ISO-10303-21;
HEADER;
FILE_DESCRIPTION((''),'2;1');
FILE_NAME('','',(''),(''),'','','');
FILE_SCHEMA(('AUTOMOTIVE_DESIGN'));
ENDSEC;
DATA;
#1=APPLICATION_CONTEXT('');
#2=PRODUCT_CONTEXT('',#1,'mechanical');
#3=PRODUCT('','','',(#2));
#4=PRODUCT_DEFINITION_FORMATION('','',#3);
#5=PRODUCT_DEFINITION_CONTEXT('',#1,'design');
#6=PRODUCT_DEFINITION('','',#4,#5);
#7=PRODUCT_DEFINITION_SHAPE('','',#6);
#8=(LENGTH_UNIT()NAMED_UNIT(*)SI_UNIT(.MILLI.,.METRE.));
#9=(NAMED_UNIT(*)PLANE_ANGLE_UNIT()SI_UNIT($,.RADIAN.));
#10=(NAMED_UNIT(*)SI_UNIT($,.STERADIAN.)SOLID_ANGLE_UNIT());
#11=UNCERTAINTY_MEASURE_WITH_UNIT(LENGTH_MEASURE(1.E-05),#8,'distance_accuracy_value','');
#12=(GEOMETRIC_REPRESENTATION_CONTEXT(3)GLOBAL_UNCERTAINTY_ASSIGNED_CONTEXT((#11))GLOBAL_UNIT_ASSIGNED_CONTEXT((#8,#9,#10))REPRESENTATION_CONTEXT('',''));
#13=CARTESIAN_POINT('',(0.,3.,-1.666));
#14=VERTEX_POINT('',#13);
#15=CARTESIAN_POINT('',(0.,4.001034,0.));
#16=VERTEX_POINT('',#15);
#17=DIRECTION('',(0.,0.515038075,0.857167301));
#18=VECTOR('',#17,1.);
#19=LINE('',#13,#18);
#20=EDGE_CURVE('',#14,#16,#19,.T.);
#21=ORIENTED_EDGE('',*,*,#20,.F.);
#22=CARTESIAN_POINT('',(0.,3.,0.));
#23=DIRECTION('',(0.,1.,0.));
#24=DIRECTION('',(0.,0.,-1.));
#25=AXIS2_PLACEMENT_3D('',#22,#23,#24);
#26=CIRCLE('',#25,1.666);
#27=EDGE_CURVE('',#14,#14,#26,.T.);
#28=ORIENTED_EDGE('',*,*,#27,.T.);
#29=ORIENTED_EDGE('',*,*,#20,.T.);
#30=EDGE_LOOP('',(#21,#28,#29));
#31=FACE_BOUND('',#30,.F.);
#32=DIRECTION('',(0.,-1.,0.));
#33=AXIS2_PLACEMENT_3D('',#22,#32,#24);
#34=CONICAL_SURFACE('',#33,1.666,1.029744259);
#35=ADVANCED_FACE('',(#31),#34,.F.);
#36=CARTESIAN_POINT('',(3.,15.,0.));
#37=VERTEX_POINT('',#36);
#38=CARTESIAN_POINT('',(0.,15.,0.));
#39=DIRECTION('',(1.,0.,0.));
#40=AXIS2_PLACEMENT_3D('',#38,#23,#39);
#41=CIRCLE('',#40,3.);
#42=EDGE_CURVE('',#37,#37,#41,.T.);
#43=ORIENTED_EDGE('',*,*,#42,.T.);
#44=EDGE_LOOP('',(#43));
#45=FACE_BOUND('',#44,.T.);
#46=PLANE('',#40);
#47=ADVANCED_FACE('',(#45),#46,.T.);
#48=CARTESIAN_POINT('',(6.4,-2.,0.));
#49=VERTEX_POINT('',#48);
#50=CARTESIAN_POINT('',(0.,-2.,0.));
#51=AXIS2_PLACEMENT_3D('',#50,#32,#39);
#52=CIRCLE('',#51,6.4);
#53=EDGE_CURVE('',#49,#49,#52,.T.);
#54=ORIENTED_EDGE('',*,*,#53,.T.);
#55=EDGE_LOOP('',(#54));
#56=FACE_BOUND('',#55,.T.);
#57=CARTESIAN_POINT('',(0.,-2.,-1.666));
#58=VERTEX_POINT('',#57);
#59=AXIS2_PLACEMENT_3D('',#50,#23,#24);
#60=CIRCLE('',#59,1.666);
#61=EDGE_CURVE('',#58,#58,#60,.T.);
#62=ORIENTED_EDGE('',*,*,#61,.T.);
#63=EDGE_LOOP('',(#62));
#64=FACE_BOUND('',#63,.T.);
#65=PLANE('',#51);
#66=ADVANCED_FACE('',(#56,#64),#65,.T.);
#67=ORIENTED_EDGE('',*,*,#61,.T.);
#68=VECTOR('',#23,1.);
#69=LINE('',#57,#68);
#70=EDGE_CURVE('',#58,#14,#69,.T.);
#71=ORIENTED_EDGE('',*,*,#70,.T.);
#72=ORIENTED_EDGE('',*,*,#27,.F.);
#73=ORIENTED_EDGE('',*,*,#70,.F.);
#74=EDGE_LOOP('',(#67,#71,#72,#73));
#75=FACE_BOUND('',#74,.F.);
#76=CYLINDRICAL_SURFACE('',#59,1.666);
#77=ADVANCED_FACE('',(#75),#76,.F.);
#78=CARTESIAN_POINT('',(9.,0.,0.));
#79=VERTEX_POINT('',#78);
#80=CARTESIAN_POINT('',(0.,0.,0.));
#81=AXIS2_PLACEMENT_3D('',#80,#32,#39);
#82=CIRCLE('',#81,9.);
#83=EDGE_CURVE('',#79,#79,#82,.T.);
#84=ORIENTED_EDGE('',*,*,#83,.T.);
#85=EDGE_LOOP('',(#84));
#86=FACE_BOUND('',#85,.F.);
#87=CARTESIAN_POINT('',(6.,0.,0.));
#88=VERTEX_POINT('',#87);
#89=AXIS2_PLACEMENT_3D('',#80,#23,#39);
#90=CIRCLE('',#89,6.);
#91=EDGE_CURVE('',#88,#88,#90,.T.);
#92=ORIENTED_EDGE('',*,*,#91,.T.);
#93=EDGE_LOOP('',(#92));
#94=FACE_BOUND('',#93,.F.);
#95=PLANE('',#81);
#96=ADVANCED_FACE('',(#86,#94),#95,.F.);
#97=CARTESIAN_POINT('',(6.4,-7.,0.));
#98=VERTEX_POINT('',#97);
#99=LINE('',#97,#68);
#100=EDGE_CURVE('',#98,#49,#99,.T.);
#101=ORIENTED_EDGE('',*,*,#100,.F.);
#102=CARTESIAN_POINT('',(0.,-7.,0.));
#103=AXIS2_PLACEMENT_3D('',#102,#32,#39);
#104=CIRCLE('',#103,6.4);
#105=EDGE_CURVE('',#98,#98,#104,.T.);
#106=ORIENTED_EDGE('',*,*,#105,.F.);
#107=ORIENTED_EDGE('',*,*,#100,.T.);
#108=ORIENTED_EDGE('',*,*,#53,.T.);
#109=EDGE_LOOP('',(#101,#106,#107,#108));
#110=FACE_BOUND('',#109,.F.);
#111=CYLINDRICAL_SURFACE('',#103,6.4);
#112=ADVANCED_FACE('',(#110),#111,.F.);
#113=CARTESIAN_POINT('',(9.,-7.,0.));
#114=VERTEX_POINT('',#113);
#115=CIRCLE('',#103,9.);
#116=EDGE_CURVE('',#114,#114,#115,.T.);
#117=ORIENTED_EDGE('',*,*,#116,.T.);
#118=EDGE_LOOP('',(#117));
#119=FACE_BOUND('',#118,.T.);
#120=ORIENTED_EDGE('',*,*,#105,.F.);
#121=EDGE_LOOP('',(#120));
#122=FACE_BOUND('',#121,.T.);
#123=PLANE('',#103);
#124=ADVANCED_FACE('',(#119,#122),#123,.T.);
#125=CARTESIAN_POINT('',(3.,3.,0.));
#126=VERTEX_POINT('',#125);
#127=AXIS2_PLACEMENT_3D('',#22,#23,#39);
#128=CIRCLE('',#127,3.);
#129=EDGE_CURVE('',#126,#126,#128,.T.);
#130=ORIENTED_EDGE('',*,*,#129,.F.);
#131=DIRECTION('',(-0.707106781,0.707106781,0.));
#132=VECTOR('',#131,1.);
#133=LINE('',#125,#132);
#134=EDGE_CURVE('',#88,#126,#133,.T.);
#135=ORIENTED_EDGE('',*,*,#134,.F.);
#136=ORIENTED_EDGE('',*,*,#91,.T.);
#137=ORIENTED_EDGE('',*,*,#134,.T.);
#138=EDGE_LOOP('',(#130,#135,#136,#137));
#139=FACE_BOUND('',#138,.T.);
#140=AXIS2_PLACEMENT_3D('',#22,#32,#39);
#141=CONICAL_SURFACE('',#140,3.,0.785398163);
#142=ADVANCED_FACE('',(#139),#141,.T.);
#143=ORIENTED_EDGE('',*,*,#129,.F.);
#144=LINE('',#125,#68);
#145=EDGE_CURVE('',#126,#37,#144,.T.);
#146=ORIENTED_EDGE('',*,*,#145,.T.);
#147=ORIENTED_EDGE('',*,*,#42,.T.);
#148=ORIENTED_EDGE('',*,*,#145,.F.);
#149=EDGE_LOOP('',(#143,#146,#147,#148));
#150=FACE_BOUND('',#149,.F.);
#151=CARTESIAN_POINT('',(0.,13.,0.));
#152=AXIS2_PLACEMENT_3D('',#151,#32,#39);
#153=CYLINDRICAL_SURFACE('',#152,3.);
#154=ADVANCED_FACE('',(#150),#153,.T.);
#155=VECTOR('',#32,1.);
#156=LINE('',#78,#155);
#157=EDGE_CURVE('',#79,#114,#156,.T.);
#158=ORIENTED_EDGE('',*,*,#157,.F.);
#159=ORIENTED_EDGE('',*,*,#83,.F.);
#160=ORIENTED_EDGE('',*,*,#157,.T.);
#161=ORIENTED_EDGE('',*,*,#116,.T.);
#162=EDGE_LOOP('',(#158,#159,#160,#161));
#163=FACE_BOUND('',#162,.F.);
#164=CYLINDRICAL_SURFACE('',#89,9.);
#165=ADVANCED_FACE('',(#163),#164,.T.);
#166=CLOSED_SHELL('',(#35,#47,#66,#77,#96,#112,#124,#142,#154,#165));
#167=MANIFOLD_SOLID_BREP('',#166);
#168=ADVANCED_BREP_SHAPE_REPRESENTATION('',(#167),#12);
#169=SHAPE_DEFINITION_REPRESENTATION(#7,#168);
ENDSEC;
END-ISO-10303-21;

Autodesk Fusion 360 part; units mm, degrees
sketch "Sketch1" plane through (0, 0, 0) normal (0, 1, 0) x (1, 0, 0)
  circle A0 centre (0, 0) radius 3
  dimension "d1" = 6
extrude "Extrude1" add sketch "Sketch1" along normal blind 13
sketch "Sketch2" plane through (0, 0, 0) normal (0, -1, 0) x (1, 0, 0)
  circle A0 centre (0, 0) radius 3
  circle A1 centre (0, 0) radius 9
  dimension "d4" = 18
extrude "Extrude2" add sketch "Sketch2" along normal blind 7 contours A0 | A1
sketch "Sketch3" plane through (0, -7, 0) normal (0, -1, 0) x (1, 0, 0)
  circle A0 centre (0, 0) radius 9
  circle A1 centre (0, 0) radius 6.4
  dimension "d7" = 12.8
extrude "Extrude3" cut sketch "Sketch3" against normal blind 5 contours A1
sketch "Sketch4" plane through (0, -2, 0) normal (0, -1, 0) x (1, 0, 0)
  circle A0 centre (0, 0) radius 6.4
  circle A1 centre (0, 0) radius 2
  dimension "d10" = 4
hole "Hole1" at (0, -2, 0) direction (0, 1, 0) diameter 3.332 depth 5 tip angle 118
chamfer "Chamfer1" distance 3 angle 45 1 edges at (-2.797, 0, 1.0848)
extrude "Extrude4" add 1 faces at (0.3505, 13, 0.866) along direction (0, 1, 0) blind 2
